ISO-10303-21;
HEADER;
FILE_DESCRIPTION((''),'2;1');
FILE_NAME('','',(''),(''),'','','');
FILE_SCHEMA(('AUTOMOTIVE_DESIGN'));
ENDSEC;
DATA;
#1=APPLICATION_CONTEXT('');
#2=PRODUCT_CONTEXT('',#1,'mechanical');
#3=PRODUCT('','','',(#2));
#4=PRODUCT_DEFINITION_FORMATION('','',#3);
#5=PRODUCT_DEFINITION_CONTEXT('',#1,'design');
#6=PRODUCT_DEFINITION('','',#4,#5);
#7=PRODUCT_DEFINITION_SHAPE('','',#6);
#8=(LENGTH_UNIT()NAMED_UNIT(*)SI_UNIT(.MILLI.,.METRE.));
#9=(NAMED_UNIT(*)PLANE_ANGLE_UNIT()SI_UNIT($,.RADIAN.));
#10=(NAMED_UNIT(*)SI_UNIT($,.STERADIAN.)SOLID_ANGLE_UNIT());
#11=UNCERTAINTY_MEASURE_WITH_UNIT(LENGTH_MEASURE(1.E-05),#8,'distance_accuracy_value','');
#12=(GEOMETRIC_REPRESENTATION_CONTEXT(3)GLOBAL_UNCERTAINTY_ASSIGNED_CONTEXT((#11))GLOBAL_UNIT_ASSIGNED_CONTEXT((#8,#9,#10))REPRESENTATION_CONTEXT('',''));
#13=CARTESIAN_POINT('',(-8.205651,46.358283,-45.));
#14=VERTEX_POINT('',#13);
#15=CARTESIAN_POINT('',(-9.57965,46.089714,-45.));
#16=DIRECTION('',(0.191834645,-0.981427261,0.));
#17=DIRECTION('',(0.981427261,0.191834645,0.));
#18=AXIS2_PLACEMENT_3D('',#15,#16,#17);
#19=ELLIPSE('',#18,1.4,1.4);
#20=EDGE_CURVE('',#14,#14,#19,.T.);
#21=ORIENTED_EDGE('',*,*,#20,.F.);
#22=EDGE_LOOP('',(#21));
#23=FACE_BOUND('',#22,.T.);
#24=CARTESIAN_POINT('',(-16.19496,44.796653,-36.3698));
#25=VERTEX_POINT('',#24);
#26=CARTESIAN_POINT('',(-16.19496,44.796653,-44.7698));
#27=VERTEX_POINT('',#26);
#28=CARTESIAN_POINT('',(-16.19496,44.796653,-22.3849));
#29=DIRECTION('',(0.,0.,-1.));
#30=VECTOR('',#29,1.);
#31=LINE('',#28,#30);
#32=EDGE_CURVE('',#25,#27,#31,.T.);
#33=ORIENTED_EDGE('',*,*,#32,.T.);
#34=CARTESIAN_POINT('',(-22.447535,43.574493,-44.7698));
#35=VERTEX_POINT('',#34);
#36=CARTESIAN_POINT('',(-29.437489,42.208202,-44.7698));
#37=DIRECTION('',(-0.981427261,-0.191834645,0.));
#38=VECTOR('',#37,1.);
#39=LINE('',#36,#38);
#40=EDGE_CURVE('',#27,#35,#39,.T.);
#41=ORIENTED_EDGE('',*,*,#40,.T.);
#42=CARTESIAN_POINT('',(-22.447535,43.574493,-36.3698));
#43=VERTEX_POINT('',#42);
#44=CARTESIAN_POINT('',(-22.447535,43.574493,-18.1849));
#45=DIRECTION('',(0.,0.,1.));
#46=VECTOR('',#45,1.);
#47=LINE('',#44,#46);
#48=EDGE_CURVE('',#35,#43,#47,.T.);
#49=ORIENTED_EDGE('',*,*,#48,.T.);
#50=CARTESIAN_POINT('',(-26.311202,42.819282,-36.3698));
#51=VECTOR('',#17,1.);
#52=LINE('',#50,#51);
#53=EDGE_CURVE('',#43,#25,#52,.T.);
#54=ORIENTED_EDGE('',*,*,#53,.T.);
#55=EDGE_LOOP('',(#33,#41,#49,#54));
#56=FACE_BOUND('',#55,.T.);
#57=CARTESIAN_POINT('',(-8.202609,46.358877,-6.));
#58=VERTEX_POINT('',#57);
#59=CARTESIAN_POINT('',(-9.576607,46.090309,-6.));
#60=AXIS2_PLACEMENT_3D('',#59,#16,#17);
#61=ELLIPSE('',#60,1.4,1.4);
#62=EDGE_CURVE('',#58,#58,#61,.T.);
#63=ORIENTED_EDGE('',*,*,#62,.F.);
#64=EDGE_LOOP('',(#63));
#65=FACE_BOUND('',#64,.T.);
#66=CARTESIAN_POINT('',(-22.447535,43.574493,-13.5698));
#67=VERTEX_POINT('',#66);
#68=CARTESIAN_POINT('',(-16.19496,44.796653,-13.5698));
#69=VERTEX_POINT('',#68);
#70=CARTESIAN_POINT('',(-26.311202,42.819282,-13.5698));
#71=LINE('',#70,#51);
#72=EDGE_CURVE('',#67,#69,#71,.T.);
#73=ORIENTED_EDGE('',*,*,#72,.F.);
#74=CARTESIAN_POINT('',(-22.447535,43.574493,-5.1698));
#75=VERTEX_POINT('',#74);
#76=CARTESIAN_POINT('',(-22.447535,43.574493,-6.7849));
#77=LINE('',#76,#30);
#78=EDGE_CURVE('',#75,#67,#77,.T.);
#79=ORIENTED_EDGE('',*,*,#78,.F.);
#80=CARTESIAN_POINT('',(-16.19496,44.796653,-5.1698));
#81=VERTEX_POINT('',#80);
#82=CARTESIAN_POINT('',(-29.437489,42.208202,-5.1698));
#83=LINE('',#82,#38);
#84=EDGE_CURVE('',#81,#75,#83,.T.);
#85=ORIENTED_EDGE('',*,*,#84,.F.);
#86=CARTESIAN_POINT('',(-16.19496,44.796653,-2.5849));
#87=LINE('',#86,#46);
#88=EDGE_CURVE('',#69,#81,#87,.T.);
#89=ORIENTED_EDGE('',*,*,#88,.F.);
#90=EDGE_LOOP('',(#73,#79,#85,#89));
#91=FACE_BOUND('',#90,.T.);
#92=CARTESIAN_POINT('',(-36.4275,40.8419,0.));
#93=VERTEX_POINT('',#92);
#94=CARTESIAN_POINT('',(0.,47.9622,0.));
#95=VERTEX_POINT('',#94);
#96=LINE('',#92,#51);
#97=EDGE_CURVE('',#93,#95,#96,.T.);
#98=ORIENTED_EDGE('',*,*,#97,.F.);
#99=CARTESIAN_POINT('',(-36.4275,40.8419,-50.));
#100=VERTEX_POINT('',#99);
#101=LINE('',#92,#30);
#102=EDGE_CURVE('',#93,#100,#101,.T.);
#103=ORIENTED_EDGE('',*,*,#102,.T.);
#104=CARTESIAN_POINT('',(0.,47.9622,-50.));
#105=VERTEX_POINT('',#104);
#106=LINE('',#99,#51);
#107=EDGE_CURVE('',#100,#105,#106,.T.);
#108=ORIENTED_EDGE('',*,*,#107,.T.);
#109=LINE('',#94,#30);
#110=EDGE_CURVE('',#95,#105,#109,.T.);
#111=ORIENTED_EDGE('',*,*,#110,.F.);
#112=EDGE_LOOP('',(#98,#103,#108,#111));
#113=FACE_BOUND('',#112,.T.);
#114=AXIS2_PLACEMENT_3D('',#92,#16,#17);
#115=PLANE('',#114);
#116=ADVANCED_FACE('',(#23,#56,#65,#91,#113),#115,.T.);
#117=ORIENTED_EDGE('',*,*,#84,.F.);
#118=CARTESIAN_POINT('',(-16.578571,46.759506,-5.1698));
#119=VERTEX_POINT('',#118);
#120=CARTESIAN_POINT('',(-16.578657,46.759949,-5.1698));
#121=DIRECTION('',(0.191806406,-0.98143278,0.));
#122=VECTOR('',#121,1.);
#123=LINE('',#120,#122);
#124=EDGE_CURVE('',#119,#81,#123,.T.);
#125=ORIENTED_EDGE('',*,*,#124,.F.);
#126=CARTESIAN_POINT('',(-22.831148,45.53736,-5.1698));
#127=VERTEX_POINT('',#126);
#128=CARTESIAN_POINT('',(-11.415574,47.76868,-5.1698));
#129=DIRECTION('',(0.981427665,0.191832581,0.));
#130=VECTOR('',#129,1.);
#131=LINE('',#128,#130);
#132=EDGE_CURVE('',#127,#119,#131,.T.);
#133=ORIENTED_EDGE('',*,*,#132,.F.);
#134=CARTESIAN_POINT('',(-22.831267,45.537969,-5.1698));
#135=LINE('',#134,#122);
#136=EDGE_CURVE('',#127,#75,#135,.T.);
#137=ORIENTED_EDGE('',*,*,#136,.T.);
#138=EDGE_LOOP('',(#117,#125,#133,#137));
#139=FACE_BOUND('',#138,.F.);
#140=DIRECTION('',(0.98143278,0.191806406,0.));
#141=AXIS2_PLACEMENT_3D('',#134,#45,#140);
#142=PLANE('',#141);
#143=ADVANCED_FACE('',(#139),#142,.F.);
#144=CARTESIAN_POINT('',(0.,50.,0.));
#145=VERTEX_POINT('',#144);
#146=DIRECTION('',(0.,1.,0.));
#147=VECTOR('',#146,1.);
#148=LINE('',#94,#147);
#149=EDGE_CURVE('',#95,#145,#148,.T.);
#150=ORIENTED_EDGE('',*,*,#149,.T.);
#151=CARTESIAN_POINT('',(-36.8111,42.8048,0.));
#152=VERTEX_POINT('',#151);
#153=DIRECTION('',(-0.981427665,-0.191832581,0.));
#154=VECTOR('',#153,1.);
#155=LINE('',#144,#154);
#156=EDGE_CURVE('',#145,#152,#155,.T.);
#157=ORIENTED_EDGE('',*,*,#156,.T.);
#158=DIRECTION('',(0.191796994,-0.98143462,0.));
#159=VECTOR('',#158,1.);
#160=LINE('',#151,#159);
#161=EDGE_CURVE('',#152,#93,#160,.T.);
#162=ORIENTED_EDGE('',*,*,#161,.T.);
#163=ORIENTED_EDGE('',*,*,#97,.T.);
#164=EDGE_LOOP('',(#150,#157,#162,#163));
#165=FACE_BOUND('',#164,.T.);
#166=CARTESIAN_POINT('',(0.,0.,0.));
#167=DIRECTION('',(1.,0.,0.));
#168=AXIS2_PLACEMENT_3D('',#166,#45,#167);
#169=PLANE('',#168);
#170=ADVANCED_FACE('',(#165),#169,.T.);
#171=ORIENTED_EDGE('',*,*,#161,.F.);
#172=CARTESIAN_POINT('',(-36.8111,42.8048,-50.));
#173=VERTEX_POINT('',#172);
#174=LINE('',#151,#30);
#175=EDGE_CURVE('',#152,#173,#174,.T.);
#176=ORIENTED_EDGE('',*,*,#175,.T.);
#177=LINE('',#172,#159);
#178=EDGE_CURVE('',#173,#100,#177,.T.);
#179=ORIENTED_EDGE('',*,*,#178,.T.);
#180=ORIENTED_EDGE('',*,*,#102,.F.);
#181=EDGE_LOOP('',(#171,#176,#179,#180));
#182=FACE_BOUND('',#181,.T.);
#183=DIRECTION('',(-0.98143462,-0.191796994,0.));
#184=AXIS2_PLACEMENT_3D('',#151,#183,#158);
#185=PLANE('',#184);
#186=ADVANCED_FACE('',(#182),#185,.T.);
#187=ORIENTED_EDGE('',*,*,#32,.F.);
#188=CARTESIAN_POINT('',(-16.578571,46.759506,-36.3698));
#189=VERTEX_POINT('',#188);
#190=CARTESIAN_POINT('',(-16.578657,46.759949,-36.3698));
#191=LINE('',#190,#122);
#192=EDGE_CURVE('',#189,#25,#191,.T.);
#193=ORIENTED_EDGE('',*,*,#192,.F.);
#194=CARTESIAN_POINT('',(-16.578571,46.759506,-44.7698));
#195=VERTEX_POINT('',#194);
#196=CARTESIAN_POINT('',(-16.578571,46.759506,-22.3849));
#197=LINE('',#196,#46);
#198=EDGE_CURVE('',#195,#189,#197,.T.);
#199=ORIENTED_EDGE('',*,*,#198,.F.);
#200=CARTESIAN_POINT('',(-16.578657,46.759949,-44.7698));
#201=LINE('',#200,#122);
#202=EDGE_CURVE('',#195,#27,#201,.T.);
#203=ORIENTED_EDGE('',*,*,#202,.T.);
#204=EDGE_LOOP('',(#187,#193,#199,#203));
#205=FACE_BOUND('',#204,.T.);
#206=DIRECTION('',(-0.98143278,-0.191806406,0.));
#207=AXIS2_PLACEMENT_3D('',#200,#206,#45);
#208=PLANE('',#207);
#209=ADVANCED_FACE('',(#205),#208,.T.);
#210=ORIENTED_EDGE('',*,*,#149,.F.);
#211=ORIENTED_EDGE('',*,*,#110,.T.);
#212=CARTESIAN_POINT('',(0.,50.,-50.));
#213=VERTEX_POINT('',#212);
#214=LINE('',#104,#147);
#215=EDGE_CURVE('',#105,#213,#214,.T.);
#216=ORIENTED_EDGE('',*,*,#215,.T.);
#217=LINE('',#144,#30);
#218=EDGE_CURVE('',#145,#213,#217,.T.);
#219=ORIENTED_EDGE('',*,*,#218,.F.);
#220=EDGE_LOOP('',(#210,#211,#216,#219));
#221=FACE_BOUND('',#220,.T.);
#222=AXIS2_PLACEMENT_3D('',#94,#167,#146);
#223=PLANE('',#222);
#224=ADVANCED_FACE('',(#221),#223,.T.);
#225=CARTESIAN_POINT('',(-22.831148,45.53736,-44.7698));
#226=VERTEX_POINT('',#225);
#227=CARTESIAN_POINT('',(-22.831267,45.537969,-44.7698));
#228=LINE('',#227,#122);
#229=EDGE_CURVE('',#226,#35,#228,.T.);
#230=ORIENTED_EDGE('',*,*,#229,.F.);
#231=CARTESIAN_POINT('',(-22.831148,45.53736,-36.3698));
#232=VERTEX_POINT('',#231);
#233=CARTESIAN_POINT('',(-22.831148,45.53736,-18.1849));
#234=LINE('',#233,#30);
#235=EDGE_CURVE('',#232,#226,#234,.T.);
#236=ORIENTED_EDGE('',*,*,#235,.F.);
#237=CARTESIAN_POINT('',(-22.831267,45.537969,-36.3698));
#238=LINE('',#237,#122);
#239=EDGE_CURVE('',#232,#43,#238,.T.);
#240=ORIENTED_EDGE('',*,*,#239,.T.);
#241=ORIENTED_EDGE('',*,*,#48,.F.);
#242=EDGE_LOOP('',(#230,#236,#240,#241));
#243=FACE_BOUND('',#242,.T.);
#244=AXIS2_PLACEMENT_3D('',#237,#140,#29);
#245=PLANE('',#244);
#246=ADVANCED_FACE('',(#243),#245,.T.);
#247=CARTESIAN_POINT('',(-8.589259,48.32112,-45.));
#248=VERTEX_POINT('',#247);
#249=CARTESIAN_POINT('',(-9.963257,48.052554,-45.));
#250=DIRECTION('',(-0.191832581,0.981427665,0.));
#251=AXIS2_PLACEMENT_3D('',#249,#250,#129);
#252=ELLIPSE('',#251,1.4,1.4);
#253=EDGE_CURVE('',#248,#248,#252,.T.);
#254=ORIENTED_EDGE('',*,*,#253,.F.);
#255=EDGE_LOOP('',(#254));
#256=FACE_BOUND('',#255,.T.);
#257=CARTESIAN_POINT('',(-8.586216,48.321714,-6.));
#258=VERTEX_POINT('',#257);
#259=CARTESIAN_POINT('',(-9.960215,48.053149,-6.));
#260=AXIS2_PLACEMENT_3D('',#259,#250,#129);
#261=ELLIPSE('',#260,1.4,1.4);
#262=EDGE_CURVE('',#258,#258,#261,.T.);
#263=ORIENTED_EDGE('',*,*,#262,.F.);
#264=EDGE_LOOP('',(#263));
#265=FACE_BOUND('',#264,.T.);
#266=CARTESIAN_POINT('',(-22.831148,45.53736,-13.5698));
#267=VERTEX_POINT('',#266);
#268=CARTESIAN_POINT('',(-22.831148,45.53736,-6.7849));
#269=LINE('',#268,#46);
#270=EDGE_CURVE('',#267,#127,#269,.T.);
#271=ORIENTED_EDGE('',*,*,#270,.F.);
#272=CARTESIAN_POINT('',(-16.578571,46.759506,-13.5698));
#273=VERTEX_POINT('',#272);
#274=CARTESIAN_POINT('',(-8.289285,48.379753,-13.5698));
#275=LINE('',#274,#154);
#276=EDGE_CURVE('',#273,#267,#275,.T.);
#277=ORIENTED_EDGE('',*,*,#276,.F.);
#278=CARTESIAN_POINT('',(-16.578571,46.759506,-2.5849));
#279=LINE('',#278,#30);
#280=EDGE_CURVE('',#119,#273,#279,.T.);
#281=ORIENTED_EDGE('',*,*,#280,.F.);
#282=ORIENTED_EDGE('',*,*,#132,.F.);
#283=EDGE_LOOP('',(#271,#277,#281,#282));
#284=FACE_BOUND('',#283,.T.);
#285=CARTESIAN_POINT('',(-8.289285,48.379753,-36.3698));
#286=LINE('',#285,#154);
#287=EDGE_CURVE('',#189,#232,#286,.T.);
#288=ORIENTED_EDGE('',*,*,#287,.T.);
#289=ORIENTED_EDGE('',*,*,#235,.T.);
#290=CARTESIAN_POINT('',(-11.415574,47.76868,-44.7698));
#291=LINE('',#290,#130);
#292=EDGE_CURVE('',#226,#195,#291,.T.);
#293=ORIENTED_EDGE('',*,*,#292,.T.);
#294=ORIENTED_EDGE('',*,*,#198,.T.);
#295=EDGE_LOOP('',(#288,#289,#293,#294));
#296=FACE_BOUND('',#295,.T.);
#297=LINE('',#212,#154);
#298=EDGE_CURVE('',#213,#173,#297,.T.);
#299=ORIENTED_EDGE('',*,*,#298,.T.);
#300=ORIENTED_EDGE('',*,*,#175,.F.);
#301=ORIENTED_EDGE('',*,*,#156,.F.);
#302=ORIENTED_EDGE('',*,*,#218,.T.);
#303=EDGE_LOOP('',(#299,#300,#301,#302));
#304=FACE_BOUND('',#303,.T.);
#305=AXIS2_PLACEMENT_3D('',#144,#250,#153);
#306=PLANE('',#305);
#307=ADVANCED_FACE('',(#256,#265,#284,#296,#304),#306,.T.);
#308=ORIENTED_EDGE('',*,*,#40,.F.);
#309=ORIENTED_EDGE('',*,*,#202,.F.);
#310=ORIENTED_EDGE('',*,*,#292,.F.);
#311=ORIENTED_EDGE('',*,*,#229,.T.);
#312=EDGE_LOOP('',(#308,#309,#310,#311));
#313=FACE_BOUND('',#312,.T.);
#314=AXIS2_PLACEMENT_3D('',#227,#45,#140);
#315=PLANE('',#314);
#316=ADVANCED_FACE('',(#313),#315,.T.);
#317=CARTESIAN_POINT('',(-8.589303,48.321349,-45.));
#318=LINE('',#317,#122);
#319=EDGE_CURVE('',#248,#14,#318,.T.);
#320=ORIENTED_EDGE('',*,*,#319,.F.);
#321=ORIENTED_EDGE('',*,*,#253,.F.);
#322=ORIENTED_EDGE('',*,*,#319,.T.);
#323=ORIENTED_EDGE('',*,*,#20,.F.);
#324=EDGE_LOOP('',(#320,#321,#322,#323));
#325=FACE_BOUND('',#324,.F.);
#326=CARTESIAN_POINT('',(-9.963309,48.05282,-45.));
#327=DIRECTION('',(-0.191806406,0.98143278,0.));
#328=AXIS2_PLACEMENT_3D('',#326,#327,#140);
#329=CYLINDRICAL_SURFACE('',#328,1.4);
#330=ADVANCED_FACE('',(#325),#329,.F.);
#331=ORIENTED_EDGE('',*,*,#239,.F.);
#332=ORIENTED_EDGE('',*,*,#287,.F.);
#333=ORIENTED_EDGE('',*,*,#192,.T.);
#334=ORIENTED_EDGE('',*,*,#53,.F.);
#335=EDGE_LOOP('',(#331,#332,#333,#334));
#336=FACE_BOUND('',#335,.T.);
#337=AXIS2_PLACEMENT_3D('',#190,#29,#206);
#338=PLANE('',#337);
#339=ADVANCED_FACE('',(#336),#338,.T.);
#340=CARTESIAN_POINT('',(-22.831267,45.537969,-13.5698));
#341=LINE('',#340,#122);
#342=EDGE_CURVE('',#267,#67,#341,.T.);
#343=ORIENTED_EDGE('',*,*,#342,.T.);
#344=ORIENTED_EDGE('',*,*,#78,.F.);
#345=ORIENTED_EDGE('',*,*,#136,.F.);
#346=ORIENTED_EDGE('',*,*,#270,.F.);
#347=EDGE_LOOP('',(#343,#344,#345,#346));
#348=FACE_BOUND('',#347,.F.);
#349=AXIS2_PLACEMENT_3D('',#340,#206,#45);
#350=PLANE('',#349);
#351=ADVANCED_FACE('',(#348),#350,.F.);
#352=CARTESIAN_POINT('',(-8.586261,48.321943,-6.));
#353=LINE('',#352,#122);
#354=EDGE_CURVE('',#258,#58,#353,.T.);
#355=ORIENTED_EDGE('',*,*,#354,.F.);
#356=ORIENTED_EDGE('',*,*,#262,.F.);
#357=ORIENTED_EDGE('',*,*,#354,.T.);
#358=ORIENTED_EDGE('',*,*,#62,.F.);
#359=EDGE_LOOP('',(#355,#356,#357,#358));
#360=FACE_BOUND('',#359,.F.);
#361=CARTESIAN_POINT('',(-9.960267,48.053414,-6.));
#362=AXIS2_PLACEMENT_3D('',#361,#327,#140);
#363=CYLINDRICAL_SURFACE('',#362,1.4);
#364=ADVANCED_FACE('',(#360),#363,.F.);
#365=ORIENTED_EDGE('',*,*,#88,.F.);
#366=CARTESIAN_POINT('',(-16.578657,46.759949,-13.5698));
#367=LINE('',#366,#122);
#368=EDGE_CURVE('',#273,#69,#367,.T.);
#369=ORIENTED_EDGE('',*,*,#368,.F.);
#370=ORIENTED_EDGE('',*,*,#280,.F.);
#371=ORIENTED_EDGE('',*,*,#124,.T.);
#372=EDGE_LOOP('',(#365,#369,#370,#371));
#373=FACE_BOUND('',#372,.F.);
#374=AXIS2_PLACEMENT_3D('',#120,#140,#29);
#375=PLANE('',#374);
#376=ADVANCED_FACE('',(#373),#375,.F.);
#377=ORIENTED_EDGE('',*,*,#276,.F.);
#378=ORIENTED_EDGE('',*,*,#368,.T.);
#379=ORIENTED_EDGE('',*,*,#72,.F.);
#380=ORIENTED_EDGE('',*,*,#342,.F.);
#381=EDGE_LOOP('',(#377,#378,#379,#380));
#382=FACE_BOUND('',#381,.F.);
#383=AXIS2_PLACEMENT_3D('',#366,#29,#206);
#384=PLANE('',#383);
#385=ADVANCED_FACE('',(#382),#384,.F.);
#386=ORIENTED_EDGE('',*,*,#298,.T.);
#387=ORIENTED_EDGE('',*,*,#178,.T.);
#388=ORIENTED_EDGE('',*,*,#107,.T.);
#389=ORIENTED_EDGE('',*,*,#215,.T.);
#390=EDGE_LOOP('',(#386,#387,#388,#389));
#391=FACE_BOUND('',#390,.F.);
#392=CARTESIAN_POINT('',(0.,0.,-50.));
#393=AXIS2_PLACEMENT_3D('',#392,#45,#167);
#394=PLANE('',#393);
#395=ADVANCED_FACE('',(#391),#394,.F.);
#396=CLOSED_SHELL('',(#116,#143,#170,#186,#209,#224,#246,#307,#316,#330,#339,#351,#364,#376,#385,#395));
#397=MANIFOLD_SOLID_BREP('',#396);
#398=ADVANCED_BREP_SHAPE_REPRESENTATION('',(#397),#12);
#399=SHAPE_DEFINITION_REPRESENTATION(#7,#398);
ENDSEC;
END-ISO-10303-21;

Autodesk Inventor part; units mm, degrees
ref_plane "YZ Plane" through (0, 0, 0) normal (1, 0, 0) x (0, 1, 0)
ref_plane "XZ Plane" through (0, 0, 0) normal (0, 1, 0) x (-1, 0, 0)
ref_plane "XY Plane" through (0, 0, 0) normal (0, 0, 1) x (1, 0, 0)
sketch "Szkic1" plane through (0, 0, 0) normal (0, 0, 1) x (1, 0, 0)
  line L0 (0, 50) -> (-36.8111, 42.8048)
  line L1 (-36.8111, 42.8048) -> (-36.4275, 40.8419)
  line L2 (-36.4275, 40.8419) -> (0, 47.9622)
  line L3 (0, 47.9622) -> (0, 50)
  line L4 (0, 0) -> (0, 50) projected
  point P0 (-25.67, 42.9446)
  dimension "d0" = 2
extrude "Wyciągnięcie proste1" add sketch "Szkic1" against normal blind 50
sketch "Szkic2" plane through (0, 50, 0) normal (-0.1918, 0.9814, 0) x (0.9814, 0.1918, 0)
  line L0 (-18.8923, 11.5698) -> (-18.8923, 7.1698) projected
  line L1 (-21.2632, 7.1698) -> (-21.2632, 11.5698) projected
  line L2 (-18.8923, 7.1698) -> (-21.2632, 7.1698) projected
  line L3 (-21.2632, 11.5698) -> (-18.8923, 11.5698) projected
  line L4 (-18.8923, 38.3698) -> (-21.2632, 38.3698) projected
  line L5 (-21.2632, 38.3698) -> (-21.2632, 42.7698) projected
  line L6 (-21.2632, 42.7698) -> (-18.8923, 42.7698) projected
  line L7 (-18.8923, 42.7698) -> (-18.8923, 38.3698) projected
  line L8 (-16.8923, 5.1698) -> (-16.8923, 13.5698)
  line L9 (-16.8923, 13.5698) -> (-23.2632, 13.5698)
  line L10 (-23.2632, 13.5698) -> (-23.2632, 5.1698)
  line L11 (-23.2632, 5.1698) -> (-16.8923, 5.1698)
  line L12 (-16.8923, 36.3698) -> (-23.2632, 36.3698)
  line L13 (-23.2632, 36.3698) -> (-23.2632, 44.7698)
  line L14 (-23.2632, 44.7698) -> (-16.8923, 44.7698)
  line L15 (-16.8923, 44.7698) -> (-16.8923, 36.3698)
  circle A0 centre (-10.1487, 6) radius 1.4 projected
  circle A1 centre (-10.1518, 45) radius 1.4 projected
  point P0 (-9.5917, 0)
  dimension "d3" = 2
  dimension "d4" = 2
extrude "Wyciągnięcie proste2" cut sketch "Szkic2" against normal through all contours L0 L2 L1 L3 | L4 L5 L6 L7 | L11 L10 L9 L8 | L12 L13 L14 L15 | A0 | A1
properties part number "nozzyk"
